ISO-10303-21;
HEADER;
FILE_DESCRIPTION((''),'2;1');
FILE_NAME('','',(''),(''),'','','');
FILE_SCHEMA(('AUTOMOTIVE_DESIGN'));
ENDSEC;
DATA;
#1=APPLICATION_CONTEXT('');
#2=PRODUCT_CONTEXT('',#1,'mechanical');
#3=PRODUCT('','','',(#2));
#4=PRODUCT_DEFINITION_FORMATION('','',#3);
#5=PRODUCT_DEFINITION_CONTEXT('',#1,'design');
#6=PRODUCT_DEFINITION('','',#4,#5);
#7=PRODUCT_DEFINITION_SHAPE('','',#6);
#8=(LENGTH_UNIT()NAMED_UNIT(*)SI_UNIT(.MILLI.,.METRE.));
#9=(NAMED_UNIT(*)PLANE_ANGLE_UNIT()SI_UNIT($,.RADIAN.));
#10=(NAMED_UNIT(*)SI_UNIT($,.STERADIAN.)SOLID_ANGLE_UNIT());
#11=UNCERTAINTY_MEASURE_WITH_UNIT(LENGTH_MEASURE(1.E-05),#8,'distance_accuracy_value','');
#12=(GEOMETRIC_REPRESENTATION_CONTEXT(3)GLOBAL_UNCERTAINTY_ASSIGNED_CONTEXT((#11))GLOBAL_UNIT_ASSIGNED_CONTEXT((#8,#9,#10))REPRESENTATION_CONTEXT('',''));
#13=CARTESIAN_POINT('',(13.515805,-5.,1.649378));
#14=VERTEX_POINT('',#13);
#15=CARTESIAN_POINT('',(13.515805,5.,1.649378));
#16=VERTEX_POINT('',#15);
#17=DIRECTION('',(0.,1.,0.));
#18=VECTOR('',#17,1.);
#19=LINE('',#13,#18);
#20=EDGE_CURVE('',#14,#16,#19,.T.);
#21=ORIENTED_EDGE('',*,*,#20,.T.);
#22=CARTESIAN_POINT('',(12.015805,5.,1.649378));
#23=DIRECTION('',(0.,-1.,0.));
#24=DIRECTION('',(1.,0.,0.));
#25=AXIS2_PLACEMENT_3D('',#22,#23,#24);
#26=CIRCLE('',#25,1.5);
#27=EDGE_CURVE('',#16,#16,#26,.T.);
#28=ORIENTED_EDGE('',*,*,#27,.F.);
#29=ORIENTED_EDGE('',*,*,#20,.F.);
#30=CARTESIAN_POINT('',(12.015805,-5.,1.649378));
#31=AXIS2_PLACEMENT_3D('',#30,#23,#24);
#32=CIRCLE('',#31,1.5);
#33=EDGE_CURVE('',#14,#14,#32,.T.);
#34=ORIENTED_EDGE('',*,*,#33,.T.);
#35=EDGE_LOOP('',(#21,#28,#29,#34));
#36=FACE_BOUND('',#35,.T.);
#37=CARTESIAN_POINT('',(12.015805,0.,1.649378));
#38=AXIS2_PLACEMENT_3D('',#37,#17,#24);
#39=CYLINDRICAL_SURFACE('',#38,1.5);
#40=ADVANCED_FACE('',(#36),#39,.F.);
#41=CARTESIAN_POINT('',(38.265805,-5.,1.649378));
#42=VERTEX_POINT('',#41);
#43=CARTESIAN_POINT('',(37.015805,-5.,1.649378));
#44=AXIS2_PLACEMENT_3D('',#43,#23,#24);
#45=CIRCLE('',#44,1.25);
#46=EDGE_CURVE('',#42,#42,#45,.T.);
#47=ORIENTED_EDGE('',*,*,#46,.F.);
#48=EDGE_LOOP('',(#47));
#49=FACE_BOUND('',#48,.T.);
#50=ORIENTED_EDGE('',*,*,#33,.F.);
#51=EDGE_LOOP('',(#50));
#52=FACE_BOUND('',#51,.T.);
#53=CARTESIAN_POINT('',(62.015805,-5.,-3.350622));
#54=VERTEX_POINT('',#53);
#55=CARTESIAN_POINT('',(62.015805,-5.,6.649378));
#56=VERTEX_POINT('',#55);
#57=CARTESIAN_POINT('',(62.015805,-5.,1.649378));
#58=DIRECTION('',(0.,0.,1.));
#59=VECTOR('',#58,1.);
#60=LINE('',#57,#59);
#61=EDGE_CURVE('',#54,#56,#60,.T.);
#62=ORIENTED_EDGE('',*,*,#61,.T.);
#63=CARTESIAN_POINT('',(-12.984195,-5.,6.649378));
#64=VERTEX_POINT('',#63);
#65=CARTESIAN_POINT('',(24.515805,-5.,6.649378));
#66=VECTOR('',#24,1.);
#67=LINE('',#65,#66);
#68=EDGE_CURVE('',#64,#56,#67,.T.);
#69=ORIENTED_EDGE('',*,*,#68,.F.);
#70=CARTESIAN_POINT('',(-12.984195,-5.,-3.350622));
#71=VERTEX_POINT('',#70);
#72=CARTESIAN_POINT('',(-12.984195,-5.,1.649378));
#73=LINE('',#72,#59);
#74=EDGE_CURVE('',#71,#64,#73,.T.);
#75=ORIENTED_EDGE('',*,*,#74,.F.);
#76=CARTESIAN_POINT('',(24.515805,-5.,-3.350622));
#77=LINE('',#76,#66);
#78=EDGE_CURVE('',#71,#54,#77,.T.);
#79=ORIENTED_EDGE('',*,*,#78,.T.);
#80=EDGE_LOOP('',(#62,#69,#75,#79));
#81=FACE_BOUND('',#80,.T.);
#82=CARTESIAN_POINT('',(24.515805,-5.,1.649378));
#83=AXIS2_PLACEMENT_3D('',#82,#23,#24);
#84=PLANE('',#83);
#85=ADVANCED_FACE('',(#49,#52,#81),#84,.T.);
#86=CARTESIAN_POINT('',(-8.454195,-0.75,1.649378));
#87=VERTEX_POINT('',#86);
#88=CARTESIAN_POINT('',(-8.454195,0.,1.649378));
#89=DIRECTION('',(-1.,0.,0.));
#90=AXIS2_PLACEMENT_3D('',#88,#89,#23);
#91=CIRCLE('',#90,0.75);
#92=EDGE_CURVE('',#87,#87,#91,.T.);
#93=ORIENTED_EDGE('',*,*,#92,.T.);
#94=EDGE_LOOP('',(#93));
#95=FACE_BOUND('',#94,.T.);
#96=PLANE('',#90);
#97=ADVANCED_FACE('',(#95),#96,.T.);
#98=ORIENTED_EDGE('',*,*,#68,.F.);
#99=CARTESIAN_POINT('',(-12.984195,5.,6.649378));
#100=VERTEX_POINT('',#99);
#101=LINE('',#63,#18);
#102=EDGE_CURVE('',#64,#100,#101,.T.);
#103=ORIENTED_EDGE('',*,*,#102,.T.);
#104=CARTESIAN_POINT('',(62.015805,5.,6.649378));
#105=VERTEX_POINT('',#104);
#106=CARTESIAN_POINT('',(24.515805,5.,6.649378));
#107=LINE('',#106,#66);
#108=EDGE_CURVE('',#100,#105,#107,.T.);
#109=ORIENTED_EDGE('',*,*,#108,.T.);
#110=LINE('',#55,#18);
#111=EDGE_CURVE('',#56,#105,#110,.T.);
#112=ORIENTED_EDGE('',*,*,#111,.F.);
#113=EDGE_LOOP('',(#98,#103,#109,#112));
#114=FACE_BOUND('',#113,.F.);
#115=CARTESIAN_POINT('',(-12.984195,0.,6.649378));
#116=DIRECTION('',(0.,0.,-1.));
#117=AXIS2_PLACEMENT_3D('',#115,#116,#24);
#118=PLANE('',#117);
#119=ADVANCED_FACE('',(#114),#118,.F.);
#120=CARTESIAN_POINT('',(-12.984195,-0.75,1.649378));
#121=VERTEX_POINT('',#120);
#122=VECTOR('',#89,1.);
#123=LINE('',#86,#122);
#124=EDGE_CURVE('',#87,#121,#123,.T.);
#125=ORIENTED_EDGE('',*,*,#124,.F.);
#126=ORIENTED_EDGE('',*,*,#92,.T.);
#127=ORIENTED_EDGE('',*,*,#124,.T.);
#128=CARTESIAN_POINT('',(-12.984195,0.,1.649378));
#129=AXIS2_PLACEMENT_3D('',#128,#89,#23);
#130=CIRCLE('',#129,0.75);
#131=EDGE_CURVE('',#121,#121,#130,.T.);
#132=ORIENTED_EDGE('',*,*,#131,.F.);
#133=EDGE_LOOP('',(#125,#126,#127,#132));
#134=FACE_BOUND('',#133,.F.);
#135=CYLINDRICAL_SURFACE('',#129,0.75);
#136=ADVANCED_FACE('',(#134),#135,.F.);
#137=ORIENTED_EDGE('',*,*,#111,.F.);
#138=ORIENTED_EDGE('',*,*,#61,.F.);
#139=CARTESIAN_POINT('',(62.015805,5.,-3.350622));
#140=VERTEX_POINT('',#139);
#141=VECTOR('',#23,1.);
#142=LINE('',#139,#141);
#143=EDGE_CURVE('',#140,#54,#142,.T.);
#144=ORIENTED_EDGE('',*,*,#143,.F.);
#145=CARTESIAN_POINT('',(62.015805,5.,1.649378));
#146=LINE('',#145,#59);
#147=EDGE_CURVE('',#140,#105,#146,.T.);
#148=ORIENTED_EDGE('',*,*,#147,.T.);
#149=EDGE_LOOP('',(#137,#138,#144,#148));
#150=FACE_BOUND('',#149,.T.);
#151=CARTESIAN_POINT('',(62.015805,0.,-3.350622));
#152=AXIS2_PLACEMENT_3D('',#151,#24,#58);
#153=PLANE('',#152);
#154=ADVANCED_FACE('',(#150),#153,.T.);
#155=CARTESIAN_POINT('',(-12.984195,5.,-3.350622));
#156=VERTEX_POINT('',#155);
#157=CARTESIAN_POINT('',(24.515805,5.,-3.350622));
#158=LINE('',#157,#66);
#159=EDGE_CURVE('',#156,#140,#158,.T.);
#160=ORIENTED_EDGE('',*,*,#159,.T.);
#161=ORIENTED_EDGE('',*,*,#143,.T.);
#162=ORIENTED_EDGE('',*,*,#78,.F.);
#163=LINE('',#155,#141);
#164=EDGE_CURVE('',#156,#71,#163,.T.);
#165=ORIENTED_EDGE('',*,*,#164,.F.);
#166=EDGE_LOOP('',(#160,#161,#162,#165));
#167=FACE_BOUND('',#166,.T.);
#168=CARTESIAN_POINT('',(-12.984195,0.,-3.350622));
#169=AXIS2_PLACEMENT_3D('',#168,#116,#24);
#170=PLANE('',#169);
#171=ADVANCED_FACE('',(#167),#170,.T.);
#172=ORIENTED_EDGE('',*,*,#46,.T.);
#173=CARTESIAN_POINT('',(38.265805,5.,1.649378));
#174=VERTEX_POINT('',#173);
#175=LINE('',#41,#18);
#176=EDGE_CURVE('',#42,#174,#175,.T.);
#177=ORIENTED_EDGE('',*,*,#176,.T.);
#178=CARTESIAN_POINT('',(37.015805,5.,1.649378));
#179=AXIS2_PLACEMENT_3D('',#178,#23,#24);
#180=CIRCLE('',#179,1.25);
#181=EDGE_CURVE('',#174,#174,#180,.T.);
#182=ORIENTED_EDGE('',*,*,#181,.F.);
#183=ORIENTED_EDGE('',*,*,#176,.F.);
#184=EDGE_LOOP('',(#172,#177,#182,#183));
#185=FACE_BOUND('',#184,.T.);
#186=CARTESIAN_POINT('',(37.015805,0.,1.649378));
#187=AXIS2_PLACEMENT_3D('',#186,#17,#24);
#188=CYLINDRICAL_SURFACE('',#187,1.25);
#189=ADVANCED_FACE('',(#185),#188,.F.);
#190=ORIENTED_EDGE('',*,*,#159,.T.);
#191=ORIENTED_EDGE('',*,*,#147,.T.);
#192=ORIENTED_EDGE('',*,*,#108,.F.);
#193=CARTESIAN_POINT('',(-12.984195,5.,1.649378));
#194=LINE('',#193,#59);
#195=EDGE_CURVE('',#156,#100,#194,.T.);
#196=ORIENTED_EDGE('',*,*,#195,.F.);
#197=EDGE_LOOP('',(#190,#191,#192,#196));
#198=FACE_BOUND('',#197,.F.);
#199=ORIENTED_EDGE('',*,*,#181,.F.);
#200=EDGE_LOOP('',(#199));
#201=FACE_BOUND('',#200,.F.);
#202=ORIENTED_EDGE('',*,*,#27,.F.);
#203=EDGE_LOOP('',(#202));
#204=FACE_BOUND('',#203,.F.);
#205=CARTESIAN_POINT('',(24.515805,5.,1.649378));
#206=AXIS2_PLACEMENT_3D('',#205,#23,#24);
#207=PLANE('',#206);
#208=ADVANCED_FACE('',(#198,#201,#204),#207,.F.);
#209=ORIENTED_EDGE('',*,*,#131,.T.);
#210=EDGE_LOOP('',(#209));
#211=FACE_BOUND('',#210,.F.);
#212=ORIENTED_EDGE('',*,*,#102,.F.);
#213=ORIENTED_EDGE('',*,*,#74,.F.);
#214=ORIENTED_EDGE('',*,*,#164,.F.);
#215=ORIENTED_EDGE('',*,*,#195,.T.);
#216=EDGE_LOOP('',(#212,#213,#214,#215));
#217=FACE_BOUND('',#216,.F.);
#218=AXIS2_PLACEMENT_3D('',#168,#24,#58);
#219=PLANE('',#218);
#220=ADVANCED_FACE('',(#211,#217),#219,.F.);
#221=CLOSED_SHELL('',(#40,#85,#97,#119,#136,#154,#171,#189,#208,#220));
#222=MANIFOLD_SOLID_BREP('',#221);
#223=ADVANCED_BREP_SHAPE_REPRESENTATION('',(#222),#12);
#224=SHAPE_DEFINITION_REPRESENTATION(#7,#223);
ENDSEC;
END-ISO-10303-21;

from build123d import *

# Parameters (mm, degrees)
F0_W     = 75
F0_H     = 10
F0_R     = 1.5
F0_R_2   = 1.25
F1_DEPTH = 5
F2_R     = 0.75
F3_DEPTH = 4.53


with BuildPart() as f1:
    # F0 (on Front) → F1 (new body, symmetric)
    with BuildSketch(Plane.XZ):
        with Locations((24.515805, 1.649378)):
            Rectangle(F0_W, F0_H)
        with Locations((12.015805, 1.649378)):
            Circle(F0_R, mode=Mode.SUBTRACT)
        with Locations((37.015805, 1.649378)):
            Circle(F0_R_2, mode=Mode.SUBTRACT)
    extrude(amount=F1_DEPTH, both=True)

    # F2 (on face) → F3 (cut, symmetric)
    with BuildSketch(Plane(origin=(-12.984195, 0, 0), x_dir=(0, -1, 0), z_dir=(-1, 0, 0))):
        with Locations((0, 1.649378)):
            Circle(F2_R)
    extrude(amount=F3_DEPTH, both=True, mode=Mode.SUBTRACT)


solid = f1.part
